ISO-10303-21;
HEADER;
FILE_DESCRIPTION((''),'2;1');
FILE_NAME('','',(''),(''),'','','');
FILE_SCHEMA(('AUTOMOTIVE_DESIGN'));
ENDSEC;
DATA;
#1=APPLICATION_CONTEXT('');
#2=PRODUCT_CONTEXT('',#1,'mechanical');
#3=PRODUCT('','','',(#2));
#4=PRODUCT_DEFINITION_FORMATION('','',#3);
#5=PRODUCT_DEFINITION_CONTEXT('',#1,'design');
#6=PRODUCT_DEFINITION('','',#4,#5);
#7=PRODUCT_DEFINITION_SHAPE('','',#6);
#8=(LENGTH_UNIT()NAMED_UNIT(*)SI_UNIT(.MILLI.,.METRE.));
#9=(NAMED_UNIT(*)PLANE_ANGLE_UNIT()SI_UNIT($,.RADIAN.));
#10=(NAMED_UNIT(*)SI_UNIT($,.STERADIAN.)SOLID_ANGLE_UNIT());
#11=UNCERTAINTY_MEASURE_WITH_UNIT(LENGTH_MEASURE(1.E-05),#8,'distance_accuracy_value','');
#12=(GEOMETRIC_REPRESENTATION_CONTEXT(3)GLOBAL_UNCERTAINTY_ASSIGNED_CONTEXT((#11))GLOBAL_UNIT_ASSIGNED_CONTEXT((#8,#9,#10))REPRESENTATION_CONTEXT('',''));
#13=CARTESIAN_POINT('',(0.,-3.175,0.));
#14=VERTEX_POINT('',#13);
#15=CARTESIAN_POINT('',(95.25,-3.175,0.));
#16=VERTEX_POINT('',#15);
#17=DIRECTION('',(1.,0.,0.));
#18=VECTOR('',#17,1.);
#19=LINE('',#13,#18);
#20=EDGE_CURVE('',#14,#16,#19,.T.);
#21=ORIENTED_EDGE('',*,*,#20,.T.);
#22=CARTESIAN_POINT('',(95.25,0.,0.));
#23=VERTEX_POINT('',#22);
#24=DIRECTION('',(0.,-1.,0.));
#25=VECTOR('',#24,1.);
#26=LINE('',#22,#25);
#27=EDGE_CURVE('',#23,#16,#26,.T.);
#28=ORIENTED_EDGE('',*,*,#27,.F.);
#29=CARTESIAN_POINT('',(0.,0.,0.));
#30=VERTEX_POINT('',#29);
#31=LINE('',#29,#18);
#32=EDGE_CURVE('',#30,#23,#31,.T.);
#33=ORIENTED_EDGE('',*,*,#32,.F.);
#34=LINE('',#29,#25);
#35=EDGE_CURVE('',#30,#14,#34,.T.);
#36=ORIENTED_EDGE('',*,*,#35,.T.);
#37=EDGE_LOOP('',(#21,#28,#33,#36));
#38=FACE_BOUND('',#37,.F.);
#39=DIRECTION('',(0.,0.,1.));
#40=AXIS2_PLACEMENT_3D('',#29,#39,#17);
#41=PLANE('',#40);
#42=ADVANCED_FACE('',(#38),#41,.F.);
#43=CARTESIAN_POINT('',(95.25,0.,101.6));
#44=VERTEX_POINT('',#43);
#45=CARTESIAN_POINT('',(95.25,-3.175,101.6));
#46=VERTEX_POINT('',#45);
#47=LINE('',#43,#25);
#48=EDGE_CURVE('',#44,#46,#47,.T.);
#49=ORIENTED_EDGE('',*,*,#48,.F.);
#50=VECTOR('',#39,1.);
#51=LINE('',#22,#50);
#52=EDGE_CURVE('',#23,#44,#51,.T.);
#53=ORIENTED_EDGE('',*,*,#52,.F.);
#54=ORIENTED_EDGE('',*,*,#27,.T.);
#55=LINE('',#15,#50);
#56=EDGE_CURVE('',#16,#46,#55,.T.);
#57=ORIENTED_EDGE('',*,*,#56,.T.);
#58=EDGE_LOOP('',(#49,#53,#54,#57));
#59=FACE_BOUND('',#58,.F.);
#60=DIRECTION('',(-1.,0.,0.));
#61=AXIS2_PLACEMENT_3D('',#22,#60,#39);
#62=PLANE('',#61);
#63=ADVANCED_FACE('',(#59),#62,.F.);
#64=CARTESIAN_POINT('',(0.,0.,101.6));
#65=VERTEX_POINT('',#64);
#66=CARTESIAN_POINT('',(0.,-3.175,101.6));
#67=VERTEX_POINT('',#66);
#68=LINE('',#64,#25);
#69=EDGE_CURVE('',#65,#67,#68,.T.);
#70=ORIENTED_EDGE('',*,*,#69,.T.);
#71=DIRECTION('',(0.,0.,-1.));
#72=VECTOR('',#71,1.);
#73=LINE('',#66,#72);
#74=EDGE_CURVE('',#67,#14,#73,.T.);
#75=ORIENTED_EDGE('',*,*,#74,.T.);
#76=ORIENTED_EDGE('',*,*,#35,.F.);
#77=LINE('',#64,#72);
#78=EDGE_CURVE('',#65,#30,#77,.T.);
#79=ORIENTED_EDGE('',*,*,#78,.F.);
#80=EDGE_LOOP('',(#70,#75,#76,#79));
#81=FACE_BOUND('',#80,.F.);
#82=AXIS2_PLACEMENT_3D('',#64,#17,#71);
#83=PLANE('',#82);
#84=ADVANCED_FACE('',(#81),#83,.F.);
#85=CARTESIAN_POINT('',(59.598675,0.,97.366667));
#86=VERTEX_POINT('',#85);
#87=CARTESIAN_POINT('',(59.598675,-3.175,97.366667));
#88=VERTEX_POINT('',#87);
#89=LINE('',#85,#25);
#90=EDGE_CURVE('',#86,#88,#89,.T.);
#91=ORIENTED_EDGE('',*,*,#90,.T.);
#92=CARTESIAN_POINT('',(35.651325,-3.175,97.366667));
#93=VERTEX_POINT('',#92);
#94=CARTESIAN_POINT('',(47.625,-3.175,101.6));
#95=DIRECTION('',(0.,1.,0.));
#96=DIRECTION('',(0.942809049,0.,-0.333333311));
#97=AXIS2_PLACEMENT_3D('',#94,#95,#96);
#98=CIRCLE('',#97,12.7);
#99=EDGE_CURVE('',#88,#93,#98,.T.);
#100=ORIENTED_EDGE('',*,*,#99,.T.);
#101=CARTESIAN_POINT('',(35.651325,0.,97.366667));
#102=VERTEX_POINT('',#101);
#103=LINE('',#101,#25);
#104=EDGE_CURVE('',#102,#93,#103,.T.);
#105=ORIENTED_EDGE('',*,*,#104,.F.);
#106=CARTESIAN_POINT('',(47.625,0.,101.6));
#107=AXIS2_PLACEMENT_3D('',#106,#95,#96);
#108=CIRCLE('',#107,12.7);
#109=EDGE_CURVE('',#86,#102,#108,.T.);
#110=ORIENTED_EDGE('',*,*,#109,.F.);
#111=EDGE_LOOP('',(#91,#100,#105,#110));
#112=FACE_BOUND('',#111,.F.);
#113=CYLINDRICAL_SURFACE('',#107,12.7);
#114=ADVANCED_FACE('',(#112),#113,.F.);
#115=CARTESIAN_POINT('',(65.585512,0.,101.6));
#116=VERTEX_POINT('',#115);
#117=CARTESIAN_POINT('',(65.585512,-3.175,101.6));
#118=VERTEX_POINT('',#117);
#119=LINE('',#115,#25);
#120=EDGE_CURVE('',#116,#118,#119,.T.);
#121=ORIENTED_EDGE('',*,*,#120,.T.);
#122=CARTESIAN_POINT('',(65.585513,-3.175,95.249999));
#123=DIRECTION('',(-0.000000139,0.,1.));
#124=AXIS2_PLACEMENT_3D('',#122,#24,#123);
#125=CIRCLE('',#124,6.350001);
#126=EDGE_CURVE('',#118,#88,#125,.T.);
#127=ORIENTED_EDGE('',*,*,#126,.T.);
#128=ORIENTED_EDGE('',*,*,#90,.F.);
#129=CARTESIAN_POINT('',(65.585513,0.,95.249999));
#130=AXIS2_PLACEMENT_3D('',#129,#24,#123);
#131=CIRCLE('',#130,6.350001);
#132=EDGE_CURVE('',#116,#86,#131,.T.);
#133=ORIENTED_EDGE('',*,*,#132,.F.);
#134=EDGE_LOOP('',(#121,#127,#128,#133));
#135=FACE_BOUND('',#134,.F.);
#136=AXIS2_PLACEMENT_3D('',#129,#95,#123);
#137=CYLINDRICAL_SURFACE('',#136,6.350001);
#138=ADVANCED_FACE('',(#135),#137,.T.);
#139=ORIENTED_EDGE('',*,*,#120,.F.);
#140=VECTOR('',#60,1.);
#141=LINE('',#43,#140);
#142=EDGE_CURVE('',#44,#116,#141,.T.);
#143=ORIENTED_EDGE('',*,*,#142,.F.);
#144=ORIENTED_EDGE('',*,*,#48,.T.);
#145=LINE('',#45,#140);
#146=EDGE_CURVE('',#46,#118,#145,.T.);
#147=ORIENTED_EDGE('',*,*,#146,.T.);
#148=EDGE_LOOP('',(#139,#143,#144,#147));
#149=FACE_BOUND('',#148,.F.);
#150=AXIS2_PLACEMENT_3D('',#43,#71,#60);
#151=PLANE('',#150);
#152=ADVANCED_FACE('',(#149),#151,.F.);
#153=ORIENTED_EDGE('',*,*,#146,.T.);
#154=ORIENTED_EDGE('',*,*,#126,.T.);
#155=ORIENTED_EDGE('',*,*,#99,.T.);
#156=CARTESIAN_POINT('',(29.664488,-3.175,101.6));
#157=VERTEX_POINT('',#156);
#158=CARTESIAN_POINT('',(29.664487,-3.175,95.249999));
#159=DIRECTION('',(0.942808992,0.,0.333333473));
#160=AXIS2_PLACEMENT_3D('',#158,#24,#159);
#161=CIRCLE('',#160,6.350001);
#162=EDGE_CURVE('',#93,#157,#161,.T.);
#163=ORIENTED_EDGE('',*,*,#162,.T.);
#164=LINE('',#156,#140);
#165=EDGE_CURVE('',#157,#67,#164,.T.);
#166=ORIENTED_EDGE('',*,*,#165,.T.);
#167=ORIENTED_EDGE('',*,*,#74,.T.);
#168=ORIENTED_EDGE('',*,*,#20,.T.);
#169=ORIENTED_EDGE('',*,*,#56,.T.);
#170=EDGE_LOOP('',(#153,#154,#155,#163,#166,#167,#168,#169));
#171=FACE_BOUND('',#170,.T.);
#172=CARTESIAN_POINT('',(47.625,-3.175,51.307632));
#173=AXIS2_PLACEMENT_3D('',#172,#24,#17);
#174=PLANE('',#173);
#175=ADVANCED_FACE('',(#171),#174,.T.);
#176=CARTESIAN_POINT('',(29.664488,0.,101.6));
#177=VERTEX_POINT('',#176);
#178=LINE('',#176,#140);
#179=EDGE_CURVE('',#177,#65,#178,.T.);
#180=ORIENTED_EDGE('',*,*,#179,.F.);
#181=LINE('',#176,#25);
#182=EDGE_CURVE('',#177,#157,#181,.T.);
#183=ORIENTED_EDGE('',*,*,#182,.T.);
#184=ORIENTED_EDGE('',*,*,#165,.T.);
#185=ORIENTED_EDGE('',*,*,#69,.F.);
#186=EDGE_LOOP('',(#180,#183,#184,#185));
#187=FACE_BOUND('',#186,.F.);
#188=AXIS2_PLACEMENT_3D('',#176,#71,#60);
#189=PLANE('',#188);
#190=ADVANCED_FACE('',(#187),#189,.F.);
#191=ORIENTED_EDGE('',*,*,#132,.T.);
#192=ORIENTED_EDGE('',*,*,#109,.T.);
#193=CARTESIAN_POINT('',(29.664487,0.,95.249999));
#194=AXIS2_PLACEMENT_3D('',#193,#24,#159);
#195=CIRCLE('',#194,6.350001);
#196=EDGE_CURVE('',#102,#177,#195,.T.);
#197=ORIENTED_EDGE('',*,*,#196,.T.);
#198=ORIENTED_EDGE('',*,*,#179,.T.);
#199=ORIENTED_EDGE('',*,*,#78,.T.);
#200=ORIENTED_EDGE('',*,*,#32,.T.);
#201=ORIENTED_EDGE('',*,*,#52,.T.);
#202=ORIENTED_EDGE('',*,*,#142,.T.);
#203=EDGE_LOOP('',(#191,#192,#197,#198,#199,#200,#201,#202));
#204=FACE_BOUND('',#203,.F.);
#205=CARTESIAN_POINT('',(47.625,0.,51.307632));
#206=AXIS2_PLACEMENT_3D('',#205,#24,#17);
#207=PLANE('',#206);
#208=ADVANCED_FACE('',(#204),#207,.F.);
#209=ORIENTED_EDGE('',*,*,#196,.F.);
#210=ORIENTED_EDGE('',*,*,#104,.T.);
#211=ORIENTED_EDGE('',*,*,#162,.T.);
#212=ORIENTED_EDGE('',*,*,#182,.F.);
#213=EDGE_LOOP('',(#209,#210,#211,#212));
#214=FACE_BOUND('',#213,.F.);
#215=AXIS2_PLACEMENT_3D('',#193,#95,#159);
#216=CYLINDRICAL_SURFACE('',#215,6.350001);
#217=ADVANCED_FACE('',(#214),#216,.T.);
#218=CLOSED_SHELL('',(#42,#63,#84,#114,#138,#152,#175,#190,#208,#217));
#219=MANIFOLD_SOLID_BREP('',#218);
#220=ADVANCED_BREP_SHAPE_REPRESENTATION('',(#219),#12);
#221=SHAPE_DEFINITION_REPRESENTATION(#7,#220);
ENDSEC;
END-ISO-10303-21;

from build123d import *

# Parameters (mm, degrees)
F1_DEPTH = 3.175


with BuildPart() as f1:
    # F0 (on Front) → F1 (new body)
    with BuildSketch(Plane.XZ):
        with BuildLine():
            Line((0, 101.6), (0, 0))
            Line((0, 0), (95.25, 0))
            Line((95.25, 0), (95.25, 101.6))
            Line((95.25, 101.6), (65.585512, 101.6))
            ThreePointArc((65.585512, 101.6), (61.919338, 100.434753), (59.598675, 97.366667))
            ThreePointArc((59.598675, 97.366667), (47.625, 88.9), (35.651325, 97.366667))
            ThreePointArc((35.651325, 97.366667), (33.330662, 100.434753), (29.664488, 101.6))
            Line((29.664488, 101.6), (0, 101.6))
        make_face()
    extrude(amount=F1_DEPTH)


solid = f1.part
